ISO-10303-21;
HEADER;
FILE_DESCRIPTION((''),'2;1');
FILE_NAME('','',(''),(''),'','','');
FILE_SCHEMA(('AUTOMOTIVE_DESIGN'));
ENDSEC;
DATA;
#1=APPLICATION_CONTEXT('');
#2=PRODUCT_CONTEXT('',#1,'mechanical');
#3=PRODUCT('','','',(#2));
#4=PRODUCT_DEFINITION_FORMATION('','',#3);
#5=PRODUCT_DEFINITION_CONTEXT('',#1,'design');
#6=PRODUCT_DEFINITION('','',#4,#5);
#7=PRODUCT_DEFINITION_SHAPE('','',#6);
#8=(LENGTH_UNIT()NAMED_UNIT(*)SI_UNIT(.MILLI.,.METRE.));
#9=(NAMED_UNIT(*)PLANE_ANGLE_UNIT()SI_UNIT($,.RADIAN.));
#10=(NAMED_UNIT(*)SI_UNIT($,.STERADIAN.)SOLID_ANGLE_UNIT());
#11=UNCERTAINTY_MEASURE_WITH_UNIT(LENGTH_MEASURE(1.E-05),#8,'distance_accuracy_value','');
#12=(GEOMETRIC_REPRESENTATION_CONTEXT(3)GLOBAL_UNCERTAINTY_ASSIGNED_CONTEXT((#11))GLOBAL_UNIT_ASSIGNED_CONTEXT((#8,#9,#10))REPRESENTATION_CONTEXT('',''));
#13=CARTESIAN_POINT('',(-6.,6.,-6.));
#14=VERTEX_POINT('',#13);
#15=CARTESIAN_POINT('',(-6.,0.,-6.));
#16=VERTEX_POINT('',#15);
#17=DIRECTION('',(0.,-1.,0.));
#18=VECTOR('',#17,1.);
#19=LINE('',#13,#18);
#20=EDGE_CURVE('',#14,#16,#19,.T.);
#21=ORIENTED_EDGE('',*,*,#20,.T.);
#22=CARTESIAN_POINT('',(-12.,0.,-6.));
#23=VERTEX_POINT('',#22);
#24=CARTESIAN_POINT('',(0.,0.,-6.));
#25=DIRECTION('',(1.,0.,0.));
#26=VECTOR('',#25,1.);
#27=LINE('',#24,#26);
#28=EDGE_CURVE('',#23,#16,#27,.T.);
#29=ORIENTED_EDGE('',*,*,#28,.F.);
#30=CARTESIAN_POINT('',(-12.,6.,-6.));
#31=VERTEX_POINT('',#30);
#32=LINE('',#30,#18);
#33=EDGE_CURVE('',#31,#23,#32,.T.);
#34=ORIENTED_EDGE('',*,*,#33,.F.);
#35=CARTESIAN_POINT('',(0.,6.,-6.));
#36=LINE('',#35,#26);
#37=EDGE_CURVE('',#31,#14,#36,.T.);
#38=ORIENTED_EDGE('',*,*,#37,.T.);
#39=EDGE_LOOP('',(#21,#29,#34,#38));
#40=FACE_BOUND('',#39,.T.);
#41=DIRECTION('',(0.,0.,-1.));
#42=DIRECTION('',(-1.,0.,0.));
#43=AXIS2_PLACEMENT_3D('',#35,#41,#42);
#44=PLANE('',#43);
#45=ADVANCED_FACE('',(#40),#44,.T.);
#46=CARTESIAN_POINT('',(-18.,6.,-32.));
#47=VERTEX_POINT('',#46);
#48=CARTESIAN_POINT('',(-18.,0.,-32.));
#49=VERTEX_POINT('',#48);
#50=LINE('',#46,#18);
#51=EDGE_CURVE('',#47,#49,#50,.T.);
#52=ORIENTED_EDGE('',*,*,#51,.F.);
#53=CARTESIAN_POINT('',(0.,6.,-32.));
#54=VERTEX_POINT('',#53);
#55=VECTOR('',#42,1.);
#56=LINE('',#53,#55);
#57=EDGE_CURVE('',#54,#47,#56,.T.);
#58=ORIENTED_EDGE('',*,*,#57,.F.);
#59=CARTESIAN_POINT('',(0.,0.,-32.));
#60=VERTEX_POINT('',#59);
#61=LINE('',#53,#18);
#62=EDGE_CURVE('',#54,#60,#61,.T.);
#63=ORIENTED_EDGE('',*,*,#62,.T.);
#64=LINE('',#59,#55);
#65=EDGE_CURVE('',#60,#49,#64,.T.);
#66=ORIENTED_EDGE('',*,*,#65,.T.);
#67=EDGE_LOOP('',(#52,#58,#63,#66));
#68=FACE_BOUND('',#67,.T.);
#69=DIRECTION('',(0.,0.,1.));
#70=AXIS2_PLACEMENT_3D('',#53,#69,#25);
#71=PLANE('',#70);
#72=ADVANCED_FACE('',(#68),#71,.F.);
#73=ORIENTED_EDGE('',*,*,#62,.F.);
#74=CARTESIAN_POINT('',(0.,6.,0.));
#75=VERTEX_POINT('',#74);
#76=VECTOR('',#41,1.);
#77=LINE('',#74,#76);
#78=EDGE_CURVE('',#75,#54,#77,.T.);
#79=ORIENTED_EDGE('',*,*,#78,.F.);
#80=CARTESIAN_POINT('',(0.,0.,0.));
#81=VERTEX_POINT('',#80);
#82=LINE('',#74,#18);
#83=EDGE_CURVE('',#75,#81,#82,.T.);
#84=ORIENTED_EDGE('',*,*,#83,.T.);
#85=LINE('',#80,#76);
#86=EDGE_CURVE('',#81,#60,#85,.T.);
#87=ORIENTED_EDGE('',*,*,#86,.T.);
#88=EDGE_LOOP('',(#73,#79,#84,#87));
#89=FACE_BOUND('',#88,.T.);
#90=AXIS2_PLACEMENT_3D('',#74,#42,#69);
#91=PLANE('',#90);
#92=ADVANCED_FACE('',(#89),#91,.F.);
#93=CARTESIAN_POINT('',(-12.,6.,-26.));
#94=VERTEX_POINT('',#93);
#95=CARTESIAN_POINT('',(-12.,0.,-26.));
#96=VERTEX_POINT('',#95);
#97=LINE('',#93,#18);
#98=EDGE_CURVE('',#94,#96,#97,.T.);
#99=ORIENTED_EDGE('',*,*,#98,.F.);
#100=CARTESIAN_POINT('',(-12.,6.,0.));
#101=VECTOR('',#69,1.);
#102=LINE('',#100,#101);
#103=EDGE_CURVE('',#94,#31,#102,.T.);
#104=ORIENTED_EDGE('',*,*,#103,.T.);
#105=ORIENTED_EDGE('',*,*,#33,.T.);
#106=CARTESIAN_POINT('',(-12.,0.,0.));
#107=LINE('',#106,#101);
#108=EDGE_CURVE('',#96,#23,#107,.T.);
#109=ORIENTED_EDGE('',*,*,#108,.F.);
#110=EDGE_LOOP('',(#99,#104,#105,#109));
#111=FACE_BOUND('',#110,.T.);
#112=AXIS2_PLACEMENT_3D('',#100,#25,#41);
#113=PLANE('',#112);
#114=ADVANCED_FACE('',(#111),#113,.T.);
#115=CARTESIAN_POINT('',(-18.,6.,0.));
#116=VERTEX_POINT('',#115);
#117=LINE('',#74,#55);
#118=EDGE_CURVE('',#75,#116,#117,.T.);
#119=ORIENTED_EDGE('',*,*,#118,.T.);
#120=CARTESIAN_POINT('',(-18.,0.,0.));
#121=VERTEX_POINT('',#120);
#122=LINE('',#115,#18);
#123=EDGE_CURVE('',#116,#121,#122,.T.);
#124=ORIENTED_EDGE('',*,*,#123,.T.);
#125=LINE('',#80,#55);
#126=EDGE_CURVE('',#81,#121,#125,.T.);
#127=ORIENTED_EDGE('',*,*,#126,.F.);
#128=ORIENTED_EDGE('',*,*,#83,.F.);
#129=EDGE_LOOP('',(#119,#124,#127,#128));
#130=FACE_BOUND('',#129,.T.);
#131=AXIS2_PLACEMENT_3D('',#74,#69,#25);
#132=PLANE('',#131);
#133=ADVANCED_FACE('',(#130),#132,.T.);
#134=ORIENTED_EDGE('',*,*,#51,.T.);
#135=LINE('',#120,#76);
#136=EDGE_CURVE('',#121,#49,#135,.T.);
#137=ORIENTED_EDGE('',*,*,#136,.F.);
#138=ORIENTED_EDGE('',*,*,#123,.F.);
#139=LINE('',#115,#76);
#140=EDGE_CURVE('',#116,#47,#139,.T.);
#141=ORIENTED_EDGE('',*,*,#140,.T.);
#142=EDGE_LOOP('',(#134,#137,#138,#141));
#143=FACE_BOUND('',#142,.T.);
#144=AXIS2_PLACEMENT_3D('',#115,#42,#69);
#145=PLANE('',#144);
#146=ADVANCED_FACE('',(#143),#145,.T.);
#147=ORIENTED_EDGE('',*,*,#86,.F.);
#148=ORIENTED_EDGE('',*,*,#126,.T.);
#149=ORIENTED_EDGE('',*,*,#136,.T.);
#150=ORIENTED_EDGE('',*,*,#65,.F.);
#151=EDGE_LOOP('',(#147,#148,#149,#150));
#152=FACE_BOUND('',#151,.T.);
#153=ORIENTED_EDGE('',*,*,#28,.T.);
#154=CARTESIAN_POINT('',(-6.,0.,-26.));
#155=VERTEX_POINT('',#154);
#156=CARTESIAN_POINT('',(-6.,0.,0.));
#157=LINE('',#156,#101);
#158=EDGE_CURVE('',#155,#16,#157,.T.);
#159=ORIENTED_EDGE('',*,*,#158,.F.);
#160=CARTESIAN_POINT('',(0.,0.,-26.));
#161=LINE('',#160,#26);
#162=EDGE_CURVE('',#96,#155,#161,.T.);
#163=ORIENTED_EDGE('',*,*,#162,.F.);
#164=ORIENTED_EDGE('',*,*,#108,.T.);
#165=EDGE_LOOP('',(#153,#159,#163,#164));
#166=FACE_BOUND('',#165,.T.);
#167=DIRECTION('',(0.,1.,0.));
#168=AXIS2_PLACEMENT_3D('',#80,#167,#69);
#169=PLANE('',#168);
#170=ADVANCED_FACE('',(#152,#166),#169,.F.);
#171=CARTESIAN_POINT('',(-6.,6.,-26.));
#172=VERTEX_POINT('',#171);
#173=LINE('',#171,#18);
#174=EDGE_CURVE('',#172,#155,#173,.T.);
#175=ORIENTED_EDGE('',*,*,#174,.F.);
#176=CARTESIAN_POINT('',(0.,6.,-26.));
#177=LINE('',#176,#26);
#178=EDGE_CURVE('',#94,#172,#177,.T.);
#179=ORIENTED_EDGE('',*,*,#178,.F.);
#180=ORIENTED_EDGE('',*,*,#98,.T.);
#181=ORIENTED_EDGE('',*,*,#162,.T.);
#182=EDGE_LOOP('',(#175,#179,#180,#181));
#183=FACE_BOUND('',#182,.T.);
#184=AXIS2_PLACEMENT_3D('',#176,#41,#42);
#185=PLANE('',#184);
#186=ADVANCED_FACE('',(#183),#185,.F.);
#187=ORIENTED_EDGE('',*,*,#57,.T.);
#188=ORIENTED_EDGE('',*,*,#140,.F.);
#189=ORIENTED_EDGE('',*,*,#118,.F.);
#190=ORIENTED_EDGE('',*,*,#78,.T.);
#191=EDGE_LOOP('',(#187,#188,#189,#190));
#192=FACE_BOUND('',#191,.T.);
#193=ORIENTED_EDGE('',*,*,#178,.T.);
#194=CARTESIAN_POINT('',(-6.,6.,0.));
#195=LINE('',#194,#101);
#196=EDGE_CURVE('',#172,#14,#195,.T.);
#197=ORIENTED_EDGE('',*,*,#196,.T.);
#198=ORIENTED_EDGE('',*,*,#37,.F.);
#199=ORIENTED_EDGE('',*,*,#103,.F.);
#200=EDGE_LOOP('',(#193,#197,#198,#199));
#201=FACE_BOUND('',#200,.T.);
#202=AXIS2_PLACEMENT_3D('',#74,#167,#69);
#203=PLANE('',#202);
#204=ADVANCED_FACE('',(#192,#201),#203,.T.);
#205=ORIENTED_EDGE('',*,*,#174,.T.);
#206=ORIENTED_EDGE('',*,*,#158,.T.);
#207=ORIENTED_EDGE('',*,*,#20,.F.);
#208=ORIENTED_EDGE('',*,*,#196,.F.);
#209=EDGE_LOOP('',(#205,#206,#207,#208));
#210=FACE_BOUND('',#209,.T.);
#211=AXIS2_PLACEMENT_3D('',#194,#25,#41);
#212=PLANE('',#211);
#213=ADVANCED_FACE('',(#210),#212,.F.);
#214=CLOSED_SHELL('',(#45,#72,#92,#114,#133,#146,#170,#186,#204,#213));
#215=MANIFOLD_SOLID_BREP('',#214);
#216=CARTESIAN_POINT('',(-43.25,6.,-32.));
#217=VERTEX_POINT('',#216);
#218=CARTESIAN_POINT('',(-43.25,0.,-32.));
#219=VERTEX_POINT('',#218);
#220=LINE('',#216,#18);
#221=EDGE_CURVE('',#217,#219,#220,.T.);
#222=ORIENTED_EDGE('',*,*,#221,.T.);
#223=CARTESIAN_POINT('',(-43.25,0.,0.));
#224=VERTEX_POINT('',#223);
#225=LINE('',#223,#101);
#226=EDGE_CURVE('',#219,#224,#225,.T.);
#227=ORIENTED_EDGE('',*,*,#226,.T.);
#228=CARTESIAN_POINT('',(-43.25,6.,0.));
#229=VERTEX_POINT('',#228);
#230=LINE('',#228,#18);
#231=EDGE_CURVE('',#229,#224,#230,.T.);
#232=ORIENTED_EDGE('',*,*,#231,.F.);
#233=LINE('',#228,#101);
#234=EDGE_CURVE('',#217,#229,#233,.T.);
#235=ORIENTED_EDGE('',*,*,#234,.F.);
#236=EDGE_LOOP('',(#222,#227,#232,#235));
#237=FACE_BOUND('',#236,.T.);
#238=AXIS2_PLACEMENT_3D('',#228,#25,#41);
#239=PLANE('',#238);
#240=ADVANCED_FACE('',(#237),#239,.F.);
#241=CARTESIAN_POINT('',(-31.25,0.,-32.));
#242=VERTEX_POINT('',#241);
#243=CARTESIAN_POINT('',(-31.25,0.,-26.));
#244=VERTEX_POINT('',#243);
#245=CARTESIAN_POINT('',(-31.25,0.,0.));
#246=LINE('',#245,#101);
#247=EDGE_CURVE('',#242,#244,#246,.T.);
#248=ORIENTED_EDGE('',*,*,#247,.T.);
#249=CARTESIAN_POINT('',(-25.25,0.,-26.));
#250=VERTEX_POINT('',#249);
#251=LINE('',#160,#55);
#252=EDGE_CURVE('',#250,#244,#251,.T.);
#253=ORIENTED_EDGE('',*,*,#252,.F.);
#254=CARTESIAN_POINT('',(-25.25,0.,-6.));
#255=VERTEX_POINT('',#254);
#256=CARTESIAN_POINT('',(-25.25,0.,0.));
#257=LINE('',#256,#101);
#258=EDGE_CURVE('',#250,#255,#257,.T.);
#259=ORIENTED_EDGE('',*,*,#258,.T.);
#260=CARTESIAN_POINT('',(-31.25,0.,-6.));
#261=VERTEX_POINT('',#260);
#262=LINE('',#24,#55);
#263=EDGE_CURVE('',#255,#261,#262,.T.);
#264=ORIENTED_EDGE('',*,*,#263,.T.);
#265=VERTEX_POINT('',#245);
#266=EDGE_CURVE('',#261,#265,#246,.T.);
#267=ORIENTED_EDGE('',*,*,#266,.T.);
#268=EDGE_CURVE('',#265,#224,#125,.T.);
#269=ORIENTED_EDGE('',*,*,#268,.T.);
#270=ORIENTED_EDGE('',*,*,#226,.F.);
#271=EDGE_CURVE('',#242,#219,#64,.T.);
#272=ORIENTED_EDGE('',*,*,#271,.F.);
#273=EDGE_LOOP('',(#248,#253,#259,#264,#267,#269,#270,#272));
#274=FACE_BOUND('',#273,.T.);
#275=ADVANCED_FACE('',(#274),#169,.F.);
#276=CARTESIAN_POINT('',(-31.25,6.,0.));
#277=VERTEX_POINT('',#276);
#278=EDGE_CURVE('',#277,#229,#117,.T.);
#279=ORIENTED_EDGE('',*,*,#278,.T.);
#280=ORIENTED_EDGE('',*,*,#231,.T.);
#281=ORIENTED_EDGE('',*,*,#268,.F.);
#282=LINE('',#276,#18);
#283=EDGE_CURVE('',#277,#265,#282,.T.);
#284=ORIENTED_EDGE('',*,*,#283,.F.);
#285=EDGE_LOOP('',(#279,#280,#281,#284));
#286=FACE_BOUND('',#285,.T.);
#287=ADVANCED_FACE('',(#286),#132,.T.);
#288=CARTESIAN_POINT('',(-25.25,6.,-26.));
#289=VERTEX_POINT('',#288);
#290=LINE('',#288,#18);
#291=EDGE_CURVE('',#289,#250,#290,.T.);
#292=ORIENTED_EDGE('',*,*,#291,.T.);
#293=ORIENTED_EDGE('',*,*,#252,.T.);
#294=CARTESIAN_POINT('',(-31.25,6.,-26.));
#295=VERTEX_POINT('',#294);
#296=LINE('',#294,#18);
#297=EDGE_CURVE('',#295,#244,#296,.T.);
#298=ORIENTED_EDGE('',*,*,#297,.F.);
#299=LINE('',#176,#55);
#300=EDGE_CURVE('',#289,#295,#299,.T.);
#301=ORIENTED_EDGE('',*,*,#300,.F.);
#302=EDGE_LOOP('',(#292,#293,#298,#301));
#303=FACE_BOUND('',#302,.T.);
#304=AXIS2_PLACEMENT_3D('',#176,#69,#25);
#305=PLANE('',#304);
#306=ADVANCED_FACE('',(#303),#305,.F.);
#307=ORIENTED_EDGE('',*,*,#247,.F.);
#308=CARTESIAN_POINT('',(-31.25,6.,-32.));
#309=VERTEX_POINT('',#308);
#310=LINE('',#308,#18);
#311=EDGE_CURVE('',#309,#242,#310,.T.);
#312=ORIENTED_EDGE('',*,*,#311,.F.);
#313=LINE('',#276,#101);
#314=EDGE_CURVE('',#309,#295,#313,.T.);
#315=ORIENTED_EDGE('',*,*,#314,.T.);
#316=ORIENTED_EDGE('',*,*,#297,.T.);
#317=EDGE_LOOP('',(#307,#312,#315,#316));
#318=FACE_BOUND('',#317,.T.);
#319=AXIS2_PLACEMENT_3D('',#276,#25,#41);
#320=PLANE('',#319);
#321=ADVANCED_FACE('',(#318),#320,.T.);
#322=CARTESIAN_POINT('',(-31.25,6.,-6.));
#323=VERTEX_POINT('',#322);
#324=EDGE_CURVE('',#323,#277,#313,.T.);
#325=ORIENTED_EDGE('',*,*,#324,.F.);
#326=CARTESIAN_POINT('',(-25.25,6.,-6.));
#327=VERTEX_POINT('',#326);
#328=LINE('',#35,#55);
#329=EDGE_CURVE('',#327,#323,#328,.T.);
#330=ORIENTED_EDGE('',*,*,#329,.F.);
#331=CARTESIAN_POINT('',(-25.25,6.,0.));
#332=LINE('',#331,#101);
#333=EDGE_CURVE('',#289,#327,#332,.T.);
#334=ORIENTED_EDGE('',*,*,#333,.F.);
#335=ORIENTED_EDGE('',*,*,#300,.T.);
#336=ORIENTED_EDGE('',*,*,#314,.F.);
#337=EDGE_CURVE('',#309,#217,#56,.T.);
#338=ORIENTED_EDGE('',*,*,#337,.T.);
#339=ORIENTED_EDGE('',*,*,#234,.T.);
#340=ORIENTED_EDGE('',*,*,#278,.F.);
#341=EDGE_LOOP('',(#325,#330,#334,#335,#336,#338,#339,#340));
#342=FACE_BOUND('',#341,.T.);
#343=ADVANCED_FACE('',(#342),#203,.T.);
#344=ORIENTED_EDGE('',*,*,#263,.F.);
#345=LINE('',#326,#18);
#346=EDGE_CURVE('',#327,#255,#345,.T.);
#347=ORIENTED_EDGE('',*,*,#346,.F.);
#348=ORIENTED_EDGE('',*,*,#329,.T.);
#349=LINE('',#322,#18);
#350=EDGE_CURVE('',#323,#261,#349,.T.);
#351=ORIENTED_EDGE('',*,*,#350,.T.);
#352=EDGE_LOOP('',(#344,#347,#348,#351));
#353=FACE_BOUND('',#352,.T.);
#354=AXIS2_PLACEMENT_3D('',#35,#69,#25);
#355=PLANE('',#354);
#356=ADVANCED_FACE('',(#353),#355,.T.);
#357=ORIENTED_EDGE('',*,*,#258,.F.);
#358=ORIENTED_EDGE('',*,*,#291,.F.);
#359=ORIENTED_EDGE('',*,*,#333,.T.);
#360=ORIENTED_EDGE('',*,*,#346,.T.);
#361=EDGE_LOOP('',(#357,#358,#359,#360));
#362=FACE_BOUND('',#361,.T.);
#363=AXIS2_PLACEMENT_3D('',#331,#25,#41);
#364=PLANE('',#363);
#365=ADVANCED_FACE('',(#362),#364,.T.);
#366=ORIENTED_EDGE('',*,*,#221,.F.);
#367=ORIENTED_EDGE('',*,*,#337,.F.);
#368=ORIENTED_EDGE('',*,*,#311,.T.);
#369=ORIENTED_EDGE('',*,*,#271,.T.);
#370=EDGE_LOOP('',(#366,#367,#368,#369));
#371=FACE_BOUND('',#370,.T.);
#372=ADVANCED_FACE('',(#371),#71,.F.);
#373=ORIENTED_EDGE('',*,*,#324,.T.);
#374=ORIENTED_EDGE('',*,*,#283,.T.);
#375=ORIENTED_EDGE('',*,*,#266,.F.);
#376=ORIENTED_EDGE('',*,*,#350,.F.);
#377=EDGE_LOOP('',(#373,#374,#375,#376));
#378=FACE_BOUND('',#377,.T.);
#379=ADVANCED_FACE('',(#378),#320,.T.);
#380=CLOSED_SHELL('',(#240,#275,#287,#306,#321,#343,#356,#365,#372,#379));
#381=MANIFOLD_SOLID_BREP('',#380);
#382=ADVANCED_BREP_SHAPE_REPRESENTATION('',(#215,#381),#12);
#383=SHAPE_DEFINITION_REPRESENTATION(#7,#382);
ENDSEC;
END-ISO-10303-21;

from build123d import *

# Parameters (mm, degrees)
SKETCH1_W           = 12
SKETCH1_H           = 32
SKETCH1_W_2         = 6
SKETCH1_H_2         = 20
SKETCH1_W_3         = 18
BOSS_EXTRUDE1_DEPTH = 6


with BuildPart() as part:
    # Sketch1 → Boss-Extrude1 (new body)
    # profile 1 of 3: a face of its own
    with BuildSketch(Plane(origin=(0, 0, 0), x_dir=(1, 0, 0), z_dir=(0, 1, 0))):
        with Locations((-37.25, 16)):
            Rectangle(SKETCH1_W, SKETCH1_H)
    # profile 2 of 3: a face of its own
    with BuildSketch(Plane(origin=(0, 0, 0), x_dir=(1, 0, 0), z_dir=(0, 1, 0))):
        with Locations((-28.25, 16)):
            Rectangle(SKETCH1_W_2, SKETCH1_H_2)
    # profile 3 of 3: a face of its own
    with BuildSketch(Plane(origin=(0, 0, 0), x_dir=(1, 0, 0), z_dir=(0, 1, 0))):
        with Locations((-9, 16)):
            Rectangle(SKETCH1_W_3, SKETCH1_H)
        with Locations((-9, 16)):
            Rectangle(SKETCH1_W_2, SKETCH1_H_2, mode=Mode.SUBTRACT)
    extrude(amount=BOSS_EXTRUDE1_DEPTH)


solid = part.part
